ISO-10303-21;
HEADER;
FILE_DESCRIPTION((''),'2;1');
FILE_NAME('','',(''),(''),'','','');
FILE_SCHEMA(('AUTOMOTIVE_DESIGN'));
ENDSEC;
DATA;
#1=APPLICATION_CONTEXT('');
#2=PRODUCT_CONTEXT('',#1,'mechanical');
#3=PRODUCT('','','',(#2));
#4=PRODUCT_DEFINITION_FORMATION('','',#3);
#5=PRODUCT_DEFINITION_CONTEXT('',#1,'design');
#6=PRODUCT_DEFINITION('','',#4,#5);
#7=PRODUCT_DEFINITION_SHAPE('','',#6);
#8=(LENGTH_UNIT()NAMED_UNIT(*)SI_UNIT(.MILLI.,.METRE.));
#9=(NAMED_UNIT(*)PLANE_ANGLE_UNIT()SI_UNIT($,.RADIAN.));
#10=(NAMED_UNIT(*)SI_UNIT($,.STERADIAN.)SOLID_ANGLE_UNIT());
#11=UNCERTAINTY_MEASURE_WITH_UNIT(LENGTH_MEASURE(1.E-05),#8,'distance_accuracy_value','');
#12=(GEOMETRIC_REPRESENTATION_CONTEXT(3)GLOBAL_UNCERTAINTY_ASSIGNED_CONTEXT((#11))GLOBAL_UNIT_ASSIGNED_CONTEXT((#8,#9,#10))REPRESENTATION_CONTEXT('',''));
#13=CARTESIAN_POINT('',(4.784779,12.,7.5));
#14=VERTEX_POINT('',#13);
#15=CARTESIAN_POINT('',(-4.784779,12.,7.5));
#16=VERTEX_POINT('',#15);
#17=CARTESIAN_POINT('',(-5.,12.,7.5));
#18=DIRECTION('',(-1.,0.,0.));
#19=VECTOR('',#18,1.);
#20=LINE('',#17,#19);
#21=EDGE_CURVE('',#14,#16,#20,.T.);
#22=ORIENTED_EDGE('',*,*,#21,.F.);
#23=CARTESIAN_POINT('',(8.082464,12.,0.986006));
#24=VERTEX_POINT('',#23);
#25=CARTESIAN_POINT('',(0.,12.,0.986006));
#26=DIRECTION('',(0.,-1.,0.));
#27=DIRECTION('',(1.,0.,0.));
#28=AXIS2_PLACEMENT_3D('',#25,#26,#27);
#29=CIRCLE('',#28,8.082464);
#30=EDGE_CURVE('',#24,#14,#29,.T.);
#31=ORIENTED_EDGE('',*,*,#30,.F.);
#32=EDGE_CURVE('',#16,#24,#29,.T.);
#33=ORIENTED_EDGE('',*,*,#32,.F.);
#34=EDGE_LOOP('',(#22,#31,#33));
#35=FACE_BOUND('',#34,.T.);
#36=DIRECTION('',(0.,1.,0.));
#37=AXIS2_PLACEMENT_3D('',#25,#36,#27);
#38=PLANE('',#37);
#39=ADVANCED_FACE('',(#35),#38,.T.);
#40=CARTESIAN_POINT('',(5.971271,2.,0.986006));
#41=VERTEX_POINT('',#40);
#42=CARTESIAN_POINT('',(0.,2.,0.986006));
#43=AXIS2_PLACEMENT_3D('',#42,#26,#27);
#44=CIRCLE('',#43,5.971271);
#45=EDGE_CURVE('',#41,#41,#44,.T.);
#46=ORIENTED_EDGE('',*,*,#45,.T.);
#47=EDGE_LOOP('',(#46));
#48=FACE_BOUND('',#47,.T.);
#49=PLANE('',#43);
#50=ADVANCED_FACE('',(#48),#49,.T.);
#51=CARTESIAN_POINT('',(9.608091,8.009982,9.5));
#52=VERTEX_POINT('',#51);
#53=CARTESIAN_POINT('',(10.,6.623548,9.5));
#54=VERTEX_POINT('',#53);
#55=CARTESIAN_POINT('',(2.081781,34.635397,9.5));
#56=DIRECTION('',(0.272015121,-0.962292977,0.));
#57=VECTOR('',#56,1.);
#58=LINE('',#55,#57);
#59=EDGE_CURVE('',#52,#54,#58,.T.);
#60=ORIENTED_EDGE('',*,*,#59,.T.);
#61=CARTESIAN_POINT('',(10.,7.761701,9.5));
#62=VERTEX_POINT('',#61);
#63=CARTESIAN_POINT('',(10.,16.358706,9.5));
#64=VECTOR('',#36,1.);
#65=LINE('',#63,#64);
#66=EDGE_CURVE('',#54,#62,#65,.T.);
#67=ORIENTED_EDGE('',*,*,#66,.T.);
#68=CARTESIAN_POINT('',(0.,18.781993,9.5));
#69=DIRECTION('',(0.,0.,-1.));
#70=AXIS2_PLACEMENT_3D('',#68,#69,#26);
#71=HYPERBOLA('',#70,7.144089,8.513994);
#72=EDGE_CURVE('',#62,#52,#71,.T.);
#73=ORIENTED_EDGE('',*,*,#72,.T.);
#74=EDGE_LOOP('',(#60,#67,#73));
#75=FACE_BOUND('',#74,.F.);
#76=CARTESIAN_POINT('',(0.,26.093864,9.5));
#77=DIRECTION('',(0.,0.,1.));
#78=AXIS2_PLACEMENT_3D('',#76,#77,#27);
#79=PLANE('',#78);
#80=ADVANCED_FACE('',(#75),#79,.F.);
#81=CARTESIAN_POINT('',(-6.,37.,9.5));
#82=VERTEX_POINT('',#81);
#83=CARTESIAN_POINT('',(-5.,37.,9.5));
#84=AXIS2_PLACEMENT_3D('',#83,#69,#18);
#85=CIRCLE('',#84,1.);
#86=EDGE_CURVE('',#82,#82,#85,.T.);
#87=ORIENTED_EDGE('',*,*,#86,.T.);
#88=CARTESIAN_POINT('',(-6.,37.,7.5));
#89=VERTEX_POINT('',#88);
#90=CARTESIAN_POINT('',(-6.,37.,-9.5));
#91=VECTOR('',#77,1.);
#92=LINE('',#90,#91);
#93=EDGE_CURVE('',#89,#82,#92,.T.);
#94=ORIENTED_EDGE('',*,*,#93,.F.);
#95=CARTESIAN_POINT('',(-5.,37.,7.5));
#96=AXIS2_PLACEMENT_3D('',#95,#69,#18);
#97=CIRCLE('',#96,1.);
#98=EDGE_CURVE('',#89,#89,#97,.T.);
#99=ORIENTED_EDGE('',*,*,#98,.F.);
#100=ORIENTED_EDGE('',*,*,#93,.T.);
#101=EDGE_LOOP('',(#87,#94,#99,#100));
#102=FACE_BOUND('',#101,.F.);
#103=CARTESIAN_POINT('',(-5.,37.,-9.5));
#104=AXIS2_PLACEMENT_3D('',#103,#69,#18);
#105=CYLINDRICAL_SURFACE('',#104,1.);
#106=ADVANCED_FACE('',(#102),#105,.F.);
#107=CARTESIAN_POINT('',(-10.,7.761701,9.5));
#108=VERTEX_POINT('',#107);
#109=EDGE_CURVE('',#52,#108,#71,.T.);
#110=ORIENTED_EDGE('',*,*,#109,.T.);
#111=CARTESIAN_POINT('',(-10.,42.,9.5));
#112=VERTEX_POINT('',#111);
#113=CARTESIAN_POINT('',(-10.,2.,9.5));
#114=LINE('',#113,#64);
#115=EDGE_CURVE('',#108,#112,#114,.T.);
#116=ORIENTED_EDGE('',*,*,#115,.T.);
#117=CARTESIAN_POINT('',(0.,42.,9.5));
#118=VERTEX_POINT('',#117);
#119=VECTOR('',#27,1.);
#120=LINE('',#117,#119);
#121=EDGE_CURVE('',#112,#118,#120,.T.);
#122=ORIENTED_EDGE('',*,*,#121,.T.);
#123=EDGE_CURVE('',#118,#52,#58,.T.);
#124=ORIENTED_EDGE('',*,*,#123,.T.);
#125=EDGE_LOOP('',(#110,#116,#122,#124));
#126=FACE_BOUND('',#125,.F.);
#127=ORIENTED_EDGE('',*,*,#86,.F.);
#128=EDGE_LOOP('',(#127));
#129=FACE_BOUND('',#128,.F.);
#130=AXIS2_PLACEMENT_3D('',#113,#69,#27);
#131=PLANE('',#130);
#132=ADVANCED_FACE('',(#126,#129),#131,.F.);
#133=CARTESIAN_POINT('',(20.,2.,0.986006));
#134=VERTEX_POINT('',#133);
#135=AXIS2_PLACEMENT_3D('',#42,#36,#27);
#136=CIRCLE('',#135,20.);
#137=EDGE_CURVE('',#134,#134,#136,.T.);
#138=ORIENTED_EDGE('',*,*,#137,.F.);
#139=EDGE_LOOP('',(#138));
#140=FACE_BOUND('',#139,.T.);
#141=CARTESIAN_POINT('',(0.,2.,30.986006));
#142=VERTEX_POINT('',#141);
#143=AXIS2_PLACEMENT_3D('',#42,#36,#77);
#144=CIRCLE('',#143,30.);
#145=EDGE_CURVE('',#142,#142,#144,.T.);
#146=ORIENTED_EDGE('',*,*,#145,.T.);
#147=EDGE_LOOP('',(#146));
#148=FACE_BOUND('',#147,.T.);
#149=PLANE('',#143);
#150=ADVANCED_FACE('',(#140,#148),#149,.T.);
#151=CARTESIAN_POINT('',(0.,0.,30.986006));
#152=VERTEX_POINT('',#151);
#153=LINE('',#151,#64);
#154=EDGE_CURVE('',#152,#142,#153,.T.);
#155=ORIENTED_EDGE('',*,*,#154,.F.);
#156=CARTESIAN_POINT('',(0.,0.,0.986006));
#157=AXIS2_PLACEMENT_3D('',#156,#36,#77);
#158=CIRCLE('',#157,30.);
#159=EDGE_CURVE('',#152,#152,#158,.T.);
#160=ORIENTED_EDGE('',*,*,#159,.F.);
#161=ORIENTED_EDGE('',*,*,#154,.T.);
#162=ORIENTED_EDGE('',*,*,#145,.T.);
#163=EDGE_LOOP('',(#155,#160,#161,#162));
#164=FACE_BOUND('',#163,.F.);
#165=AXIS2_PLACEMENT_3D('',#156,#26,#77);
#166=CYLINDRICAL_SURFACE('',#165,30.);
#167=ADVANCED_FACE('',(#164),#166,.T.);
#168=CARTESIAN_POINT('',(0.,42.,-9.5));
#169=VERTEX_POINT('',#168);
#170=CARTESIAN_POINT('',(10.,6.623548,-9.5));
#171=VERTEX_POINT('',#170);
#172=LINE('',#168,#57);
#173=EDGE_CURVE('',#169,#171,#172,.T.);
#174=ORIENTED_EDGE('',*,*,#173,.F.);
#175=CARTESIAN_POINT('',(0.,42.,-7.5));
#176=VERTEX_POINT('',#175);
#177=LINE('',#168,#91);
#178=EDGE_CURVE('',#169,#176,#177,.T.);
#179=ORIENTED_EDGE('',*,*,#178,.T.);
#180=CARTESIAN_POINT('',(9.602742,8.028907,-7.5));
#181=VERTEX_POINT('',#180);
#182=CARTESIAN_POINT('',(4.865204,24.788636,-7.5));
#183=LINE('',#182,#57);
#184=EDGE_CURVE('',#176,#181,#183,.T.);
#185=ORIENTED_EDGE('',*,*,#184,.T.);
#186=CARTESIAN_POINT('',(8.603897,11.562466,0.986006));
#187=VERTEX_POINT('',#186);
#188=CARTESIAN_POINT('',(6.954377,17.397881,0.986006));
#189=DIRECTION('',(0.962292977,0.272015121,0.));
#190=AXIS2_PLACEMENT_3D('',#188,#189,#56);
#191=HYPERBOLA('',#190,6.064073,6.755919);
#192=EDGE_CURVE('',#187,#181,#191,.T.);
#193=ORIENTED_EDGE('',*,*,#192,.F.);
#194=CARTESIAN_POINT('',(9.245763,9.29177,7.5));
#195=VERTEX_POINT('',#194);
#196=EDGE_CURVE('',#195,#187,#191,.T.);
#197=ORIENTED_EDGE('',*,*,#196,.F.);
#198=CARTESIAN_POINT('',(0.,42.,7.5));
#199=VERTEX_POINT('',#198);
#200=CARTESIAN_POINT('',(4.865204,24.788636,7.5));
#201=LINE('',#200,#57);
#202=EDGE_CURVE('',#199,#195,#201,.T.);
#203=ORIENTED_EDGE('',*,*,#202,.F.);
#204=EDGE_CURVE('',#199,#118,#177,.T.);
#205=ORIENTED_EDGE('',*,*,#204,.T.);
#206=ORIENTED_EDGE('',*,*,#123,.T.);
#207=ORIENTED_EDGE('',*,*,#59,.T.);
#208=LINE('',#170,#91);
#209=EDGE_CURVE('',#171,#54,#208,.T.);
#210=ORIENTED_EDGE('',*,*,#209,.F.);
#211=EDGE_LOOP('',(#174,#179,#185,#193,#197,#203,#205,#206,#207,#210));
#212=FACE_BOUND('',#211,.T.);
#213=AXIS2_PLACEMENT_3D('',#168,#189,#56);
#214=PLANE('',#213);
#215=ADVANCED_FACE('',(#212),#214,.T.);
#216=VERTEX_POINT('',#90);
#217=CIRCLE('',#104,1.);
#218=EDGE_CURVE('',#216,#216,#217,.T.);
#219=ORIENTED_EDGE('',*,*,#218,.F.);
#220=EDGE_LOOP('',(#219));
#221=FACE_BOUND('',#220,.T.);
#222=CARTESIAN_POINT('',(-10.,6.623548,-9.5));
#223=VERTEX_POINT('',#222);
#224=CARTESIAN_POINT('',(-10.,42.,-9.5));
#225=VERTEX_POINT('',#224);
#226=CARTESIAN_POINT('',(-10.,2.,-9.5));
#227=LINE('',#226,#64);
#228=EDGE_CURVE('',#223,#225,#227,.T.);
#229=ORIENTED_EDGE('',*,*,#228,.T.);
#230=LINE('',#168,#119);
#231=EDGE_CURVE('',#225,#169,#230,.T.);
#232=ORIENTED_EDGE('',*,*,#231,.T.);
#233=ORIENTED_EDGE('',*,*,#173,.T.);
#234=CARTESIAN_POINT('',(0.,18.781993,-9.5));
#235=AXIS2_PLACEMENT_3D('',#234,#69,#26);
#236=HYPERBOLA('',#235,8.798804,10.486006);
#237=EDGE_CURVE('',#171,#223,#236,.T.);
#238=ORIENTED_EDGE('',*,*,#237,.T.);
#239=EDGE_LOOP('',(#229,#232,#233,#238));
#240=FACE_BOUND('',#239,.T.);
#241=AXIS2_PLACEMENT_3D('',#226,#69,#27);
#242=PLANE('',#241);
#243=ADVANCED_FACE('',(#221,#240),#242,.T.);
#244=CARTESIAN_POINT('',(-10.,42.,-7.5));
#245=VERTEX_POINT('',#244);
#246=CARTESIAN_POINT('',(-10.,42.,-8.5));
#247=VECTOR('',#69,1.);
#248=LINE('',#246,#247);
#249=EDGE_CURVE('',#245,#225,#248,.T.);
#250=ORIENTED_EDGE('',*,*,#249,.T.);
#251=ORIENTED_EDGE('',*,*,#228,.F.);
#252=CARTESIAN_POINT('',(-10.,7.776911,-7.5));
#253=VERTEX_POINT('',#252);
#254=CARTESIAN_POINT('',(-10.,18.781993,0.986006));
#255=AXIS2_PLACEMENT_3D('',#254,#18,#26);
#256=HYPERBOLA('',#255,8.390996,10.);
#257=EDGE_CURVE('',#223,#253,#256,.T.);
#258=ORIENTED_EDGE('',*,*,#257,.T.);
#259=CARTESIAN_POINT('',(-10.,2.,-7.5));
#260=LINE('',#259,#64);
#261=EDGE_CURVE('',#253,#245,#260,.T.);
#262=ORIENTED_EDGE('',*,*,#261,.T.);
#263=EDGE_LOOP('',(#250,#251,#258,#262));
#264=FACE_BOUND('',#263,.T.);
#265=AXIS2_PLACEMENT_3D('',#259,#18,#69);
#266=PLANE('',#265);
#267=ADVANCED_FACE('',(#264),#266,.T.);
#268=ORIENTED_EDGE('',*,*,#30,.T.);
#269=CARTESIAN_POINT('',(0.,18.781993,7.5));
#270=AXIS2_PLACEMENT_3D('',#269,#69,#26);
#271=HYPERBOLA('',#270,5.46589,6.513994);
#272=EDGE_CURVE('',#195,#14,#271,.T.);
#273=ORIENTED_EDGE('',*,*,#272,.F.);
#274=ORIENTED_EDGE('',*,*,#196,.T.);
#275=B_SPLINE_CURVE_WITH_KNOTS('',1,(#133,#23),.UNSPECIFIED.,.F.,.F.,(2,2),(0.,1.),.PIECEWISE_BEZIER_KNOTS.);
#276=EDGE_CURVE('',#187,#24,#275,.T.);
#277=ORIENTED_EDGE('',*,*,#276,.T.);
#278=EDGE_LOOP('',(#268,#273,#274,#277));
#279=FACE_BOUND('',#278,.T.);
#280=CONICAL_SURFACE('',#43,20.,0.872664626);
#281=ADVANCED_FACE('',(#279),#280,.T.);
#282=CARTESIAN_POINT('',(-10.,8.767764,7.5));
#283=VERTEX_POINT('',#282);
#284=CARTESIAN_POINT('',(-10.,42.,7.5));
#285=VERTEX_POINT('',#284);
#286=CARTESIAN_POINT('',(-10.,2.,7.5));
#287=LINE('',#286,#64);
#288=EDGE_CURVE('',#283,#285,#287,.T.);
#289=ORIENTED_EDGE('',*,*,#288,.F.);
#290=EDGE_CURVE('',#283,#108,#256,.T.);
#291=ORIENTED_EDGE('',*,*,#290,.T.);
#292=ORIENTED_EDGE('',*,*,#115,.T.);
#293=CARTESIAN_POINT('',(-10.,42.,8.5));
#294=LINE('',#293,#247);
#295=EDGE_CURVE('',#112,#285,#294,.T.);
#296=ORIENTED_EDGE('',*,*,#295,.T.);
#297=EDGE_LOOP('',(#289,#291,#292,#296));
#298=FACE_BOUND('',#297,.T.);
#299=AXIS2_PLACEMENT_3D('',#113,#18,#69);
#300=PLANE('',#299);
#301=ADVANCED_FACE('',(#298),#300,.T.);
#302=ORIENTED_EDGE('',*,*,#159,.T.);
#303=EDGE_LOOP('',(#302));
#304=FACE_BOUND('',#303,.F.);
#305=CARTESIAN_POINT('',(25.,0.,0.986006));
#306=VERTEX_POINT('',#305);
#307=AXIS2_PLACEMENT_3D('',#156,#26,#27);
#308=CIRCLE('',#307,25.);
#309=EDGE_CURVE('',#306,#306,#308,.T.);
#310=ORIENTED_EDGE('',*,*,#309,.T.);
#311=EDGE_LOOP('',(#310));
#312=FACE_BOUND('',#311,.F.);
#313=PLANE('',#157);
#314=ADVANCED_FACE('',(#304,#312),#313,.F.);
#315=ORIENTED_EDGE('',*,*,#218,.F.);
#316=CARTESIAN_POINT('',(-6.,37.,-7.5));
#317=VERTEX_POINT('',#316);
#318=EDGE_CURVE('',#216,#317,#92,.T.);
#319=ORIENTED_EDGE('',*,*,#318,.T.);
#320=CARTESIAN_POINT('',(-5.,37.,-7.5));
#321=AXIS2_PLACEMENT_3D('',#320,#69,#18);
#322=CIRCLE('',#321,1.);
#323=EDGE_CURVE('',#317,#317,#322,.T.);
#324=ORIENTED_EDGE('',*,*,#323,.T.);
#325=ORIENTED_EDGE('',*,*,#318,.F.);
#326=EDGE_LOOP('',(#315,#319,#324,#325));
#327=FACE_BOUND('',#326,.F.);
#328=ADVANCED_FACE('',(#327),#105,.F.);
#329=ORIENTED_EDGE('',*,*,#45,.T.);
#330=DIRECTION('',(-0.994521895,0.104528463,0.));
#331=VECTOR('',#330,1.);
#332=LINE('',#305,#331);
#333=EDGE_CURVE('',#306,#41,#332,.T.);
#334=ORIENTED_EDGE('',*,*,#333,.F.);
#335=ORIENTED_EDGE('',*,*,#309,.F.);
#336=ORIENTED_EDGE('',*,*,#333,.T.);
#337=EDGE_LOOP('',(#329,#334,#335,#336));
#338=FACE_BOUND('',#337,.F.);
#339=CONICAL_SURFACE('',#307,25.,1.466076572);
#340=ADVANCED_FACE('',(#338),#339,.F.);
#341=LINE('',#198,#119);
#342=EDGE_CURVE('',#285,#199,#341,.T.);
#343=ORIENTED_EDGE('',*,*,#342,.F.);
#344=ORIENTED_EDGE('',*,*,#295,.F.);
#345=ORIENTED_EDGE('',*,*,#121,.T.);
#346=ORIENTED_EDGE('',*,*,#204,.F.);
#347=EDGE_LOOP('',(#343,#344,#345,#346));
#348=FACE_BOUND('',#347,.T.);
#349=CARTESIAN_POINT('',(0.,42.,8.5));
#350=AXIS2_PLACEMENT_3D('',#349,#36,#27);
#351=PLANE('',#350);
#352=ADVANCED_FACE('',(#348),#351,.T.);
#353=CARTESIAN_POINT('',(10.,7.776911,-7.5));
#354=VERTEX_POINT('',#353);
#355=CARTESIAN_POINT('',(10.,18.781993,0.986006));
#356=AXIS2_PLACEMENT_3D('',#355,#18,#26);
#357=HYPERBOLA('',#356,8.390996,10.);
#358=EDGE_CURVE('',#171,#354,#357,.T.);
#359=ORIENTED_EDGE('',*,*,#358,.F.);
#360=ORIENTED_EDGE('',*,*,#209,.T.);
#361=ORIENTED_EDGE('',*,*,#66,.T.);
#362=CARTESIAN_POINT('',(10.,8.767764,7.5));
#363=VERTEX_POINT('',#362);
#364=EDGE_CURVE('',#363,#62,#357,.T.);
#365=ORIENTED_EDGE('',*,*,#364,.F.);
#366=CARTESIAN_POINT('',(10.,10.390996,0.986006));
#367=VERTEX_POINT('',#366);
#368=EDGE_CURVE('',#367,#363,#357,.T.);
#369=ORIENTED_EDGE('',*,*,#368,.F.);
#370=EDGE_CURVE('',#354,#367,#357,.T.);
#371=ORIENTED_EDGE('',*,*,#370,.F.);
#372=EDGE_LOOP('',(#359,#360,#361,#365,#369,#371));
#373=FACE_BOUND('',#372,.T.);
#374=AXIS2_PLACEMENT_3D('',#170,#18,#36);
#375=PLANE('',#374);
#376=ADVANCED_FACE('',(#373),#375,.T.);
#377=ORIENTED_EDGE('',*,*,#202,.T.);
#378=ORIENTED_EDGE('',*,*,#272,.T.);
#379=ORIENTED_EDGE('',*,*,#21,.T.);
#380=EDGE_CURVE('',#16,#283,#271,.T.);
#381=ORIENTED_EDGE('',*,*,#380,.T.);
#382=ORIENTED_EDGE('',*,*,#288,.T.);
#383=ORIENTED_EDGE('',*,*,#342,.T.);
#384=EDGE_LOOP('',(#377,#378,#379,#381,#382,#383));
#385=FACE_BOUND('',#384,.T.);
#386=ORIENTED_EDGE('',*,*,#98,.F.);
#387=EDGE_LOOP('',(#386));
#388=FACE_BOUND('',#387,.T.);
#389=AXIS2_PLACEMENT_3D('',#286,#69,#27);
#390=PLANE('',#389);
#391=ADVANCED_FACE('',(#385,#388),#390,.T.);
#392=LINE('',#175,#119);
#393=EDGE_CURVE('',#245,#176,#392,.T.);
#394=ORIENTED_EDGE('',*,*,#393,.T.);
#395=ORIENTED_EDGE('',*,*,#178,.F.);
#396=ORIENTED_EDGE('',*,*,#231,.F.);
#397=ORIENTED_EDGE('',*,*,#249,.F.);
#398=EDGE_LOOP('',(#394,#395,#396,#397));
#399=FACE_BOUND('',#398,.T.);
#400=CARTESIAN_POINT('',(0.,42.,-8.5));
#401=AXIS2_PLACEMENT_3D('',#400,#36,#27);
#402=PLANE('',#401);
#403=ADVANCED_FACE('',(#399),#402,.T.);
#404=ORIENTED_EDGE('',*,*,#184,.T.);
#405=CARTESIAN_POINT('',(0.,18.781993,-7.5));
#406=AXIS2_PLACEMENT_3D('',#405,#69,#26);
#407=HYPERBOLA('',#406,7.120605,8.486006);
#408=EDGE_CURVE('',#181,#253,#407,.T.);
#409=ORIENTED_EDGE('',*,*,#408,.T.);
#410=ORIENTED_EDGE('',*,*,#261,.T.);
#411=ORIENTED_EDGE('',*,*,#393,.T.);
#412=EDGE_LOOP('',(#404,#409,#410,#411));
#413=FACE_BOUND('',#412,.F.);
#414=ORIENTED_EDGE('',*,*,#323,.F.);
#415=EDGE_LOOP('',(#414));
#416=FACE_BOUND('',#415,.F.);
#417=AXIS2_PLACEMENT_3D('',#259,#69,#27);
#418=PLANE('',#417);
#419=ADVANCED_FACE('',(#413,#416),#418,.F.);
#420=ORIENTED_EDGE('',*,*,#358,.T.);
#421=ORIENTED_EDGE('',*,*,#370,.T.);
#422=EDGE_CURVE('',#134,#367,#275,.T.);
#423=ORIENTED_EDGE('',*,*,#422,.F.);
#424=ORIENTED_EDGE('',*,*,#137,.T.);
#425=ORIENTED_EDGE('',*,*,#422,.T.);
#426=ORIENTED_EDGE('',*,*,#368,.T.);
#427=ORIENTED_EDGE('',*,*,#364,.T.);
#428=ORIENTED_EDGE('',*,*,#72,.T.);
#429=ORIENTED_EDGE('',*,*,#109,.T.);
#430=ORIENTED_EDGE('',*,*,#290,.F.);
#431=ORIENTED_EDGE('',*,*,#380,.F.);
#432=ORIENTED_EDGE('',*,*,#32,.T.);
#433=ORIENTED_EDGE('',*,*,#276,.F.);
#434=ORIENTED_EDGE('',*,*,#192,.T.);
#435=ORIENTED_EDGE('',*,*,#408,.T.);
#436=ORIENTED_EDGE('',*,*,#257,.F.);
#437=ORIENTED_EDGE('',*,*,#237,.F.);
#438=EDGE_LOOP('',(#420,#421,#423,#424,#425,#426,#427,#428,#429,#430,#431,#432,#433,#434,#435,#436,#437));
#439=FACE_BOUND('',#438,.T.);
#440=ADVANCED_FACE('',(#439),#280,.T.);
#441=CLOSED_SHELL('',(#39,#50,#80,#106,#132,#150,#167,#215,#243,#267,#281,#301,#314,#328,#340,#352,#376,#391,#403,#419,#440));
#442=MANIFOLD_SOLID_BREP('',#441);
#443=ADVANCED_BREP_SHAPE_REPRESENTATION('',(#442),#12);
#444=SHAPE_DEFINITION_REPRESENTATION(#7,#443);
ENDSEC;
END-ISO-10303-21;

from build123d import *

# Parameters (mm, degrees)
SKETCH1_R           = 30
BOSS_EXTRUDE1_DEPTH = 2
SKETCH2_R           = 20
BOSS_EXTRUDE2_DEPTH = 10
BOSS_EXTRUDE2_TAPER = 50
SKETCH3_W           = 20
SKETCH3_H           = 2
BOSS_EXTRUDE3_DEPTH = 40
CUT_EXTRUDE1_REACH  = 67.598
CUT_EXTRUDE2_REACH  = 67.598
SKETCH7_R           = 1
SKETCH8_R           = 25
CUT_EXTRUDE3_DEPTH  = 2
CUT_EXTRUDE3_DRAFT  = -84


with BuildPart() as part:
    # Sketch1 → Boss-Extrude1 (new body)
    with BuildSketch(Plane(origin=(0, 0, 0), x_dir=(1, 0, 0), z_dir=(0, 1, 0))):
        with Locations(Location((0, -0.986006094, 0), (0, 0, 270))):
            Circle(SKETCH1_R)
    extrude(amount=BOSS_EXTRUDE1_DEPTH)

    # Sketch2 → Boss-Extrude2 (add)
    with BuildSketch(Plane(origin=(0, 2, 0), x_dir=(1, 0, 0), z_dir=(0, 1, 0))):
        with Locations((0, -0.986006094)):
            Circle(SKETCH2_R)
    extrude(amount=BOSS_EXTRUDE2_DEPTH, taper=BOSS_EXTRUDE2_TAPER)

    # Sketch3 → Boss-Extrude3 (add)
    with BuildSketch(Plane(origin=(0, 2, 0), x_dir=(1, 0, 0), z_dir=(0, 1, 0))):
        with Locations((0, 8.5)):
            Rectangle(SKETCH3_W, SKETCH3_H)
        with Locations((0, -8.5)):
            Rectangle(SKETCH3_W, SKETCH3_H)
    extrude(amount=BOSS_EXTRUDE3_DEPTH)

    # Cut-Extrude1: up to this face of the body (flat: up to its plane)
    cut_extrude1_end = Plane(part.part.faces().sort_by_distance((0, 26.093864251, 9.5))[0])
    # Sketch5 → Cut-Extrude1 (cut, up to the picked face)
    with BuildSketch(Plane(origin=(0, 0, -9.5), x_dir=(-1, 0, 0), z_dir=(0, 0, -1)), mode=Mode.PRIVATE) as cut_extrude1_sk1:
        Polygon((0, 42), (-10, 6.623548306), (-10, 42), align=None)
    cut_extrude1_tool1 = split(extrude(cut_extrude1_sk1.sketch, amount=-CUT_EXTRUDE1_REACH, mode=Mode.PRIVATE), bisect_by=cut_extrude1_end, keep=Keep.BOTH, mode=Mode.PRIVATE)
    add(cut_extrude1_tool1.solids().sort_by(Axis((6.666667, 30.207849, -9.5), (0, 0, 1)))[0], mode=Mode.SUBTRACT)

    # Cut-Extrude2: up to this face of the body (flat: up to its plane)
    cut_extrude2_end = Plane(part.part.faces().sort_by_distance((-2.565960576, 24.498389602, 9.5))[0])
    # Sketch7 → Cut-Extrude2 (cut, up to the picked face)
    with BuildSketch(Plane(origin=(0, 0, -9.5), x_dir=(-1, 0, 0), z_dir=(0, 0, -1)), mode=Mode.PRIVATE) as cut_extrude2_sk1:
        with Locations((5, 37)):
            Circle(SKETCH7_R)
    cut_extrude2_tool1 = split(extrude(cut_extrude2_sk1.sketch, amount=-CUT_EXTRUDE2_REACH, mode=Mode.PRIVATE), bisect_by=cut_extrude2_end, keep=Keep.BOTH, mode=Mode.PRIVATE)
    add(cut_extrude2_tool1.solids().sort_by(Axis((-5, 37, -9.5), (0, 0, 1)))[0], mode=Mode.SUBTRACT)


with BuildPart() as cut_extrude3_tool:
    # Sketch8 → Cut-Extrude3 (with draft: the straight prism first)
    with BuildSketch(Plane.XZ):
        with Locations((0, 0.986006094)):
            Circle(SKETCH8_R)
    extrude(amount=-CUT_EXTRUDE3_DEPTH)
    # Cut-Extrude3: the draft: its side faces are tilted about the plane it starts from
    cut_extrude3_sides = [cut_extrude3_tool.faces().sort_by_distance(p)[0] for p in [
        (-25, 1, 0.986006094),
    ]]
    draft(cut_extrude3_sides, Plane.XZ, CUT_EXTRUDE3_DRAFT)


with BuildPart() as part_1:
    add(part.part)

    # Cut-Extrude3: cut by cut_extrude3_tool
    add(cut_extrude3_tool.part, mode=Mode.SUBTRACT)


solid = part_1.part
